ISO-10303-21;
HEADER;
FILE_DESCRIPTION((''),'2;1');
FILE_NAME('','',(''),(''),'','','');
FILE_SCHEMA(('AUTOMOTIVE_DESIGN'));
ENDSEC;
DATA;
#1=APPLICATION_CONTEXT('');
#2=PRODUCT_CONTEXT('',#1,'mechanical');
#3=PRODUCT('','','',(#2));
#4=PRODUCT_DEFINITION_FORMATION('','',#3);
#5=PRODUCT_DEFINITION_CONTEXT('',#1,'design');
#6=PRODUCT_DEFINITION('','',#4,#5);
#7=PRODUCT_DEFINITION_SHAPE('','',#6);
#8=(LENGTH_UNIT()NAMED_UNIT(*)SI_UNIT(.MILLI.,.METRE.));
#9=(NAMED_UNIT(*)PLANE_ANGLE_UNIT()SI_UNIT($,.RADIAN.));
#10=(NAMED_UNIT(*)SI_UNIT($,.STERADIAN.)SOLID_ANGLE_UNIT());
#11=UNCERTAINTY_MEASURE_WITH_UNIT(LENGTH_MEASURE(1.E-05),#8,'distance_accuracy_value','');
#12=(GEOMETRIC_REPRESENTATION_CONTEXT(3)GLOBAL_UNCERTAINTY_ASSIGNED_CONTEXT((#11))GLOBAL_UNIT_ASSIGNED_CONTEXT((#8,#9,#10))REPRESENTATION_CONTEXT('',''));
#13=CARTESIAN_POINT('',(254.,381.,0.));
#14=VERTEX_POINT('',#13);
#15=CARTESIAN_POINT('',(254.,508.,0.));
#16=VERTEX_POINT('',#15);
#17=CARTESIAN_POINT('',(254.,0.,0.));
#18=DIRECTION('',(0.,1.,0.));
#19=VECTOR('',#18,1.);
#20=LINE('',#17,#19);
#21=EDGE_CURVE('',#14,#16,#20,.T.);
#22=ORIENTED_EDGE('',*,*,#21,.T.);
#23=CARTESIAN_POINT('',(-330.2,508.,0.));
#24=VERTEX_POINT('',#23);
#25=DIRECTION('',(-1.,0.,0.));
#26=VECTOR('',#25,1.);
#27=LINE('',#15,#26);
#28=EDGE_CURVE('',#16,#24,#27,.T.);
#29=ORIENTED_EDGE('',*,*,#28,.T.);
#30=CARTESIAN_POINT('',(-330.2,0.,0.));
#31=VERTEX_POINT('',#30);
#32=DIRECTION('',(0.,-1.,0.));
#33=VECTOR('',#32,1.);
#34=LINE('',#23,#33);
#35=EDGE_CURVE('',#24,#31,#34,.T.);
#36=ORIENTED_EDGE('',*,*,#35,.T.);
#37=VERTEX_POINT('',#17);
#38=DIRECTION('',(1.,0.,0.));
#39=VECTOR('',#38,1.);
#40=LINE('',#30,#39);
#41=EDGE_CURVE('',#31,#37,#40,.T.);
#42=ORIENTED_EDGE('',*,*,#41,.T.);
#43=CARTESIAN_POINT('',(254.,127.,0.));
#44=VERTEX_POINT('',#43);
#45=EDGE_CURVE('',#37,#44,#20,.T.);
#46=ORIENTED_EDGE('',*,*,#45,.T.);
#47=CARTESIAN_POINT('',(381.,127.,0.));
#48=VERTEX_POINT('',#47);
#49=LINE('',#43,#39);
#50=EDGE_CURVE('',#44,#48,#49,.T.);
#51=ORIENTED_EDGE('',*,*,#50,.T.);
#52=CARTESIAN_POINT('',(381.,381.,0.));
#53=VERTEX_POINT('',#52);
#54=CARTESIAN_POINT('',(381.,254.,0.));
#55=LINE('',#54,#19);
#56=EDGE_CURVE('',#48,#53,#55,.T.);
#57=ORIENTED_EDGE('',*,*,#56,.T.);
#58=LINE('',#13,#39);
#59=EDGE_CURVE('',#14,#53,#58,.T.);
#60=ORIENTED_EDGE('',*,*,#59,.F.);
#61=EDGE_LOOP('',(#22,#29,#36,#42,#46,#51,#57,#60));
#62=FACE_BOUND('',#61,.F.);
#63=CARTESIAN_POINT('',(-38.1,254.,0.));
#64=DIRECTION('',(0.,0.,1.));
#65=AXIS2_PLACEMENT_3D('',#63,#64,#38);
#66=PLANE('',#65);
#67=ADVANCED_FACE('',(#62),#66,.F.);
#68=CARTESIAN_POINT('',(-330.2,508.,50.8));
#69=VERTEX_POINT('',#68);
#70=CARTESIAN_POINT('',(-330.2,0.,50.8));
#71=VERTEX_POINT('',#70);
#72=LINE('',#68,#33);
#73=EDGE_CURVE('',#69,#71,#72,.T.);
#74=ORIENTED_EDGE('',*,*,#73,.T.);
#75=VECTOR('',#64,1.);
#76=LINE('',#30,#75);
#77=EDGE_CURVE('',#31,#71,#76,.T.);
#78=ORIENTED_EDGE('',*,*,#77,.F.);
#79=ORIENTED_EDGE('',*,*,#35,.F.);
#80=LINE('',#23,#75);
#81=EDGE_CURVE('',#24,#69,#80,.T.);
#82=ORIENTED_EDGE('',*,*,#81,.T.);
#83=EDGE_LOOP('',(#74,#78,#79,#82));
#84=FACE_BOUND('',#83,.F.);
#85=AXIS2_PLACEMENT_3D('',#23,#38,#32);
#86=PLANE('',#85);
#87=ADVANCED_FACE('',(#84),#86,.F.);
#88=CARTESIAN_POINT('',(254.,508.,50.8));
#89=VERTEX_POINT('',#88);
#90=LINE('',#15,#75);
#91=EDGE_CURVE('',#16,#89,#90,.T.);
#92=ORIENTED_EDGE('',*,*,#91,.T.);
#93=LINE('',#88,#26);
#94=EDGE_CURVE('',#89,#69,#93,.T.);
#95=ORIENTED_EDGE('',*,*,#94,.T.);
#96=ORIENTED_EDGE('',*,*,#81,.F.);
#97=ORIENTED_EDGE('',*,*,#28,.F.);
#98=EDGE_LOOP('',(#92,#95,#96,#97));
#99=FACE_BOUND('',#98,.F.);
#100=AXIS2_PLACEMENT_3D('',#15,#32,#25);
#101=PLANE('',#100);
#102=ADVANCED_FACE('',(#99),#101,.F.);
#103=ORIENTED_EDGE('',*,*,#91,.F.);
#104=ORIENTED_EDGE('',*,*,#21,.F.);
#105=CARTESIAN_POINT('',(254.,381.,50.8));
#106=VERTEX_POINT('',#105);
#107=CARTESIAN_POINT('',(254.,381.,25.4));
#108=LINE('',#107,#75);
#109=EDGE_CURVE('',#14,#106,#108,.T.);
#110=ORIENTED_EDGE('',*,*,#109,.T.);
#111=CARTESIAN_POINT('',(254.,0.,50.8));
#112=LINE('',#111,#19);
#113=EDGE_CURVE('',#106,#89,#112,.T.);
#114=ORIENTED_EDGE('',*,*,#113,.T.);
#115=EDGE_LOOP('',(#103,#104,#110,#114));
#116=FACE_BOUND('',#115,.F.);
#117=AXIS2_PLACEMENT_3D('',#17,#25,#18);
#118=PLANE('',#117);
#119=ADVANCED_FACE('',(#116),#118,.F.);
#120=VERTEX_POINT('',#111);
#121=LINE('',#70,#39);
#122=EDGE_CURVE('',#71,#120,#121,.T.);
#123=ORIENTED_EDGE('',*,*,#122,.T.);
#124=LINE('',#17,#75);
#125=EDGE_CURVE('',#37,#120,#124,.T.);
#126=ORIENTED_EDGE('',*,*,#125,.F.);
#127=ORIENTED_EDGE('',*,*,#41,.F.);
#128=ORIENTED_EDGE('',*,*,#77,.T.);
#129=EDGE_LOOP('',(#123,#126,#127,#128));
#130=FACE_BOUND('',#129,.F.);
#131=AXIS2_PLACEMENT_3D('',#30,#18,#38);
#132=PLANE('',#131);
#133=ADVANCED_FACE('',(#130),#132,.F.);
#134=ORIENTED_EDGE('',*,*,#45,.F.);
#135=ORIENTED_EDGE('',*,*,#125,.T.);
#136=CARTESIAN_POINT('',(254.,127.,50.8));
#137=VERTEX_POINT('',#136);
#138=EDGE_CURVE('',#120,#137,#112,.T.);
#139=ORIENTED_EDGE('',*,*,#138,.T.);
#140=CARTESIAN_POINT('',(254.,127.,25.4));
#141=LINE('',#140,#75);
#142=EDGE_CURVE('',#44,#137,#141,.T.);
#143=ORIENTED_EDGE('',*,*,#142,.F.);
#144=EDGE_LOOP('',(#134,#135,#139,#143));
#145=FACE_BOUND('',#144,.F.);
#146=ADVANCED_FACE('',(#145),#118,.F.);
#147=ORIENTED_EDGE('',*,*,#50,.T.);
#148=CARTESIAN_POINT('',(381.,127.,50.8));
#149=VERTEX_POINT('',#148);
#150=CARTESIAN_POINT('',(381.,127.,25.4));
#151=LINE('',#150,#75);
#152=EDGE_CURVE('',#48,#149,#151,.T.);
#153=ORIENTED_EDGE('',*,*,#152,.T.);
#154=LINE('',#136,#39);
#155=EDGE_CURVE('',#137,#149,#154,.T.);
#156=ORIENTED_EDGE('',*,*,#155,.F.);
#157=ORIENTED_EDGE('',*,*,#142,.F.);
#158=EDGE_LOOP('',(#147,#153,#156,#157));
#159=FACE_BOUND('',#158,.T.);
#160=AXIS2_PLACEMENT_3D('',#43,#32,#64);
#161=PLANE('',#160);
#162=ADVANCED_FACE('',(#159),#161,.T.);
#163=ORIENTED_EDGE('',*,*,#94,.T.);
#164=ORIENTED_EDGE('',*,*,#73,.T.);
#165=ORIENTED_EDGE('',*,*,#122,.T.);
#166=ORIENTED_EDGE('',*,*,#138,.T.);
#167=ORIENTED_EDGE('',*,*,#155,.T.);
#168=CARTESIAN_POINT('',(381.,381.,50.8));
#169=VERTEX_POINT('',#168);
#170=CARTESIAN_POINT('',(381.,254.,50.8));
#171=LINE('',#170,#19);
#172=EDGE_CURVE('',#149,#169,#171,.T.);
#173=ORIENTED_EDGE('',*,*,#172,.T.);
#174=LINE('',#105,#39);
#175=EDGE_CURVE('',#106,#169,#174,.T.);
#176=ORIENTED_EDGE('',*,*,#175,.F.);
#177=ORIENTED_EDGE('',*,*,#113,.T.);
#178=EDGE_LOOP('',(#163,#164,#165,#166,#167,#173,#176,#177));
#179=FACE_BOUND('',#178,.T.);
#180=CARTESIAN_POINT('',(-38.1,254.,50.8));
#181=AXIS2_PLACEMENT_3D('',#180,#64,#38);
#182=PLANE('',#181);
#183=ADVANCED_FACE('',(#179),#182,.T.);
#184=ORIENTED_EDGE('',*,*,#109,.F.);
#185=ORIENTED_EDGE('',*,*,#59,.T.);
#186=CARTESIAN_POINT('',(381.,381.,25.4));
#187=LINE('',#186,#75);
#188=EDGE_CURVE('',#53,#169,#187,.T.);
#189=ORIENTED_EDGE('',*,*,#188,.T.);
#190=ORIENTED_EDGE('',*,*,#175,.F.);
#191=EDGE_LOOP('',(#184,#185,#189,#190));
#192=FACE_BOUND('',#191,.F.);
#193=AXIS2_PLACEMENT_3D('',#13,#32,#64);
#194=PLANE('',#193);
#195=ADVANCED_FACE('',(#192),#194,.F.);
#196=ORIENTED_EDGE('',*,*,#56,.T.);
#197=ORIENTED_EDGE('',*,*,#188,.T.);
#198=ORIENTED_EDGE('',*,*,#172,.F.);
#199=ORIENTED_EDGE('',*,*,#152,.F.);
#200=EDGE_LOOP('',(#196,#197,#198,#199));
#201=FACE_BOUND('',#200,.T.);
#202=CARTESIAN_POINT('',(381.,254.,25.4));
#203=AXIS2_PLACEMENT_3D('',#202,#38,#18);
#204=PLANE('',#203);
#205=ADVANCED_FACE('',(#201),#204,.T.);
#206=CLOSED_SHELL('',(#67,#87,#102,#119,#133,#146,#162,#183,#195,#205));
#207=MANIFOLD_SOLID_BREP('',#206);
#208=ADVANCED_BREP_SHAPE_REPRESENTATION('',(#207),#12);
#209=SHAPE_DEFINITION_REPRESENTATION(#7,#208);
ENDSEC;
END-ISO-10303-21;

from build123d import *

# Parameters (mm, degrees)
F1_DEPTH = 50.8
F2_W     = 254
F2_H     = 50.8
F3_DEPTH = 127


with BuildPart() as f1:
    # F0 (on Top) → F1 (new body)
    with BuildSketch(Plane.XY):
        Polygon((-330.2, 0), (0, 0), (254, 0), (254, 508), (0, 508), (-330.2, 508), align=None)
    extrude(amount=F1_DEPTH)

    # F2 (on face) → F3 (join)
    with BuildSketch(Plane.YZ.offset(254)):
        with Locations((254, 25.4)):
            Rectangle(F2_W, F2_H)
    extrude(amount=F3_DEPTH)


solid = f1.part
